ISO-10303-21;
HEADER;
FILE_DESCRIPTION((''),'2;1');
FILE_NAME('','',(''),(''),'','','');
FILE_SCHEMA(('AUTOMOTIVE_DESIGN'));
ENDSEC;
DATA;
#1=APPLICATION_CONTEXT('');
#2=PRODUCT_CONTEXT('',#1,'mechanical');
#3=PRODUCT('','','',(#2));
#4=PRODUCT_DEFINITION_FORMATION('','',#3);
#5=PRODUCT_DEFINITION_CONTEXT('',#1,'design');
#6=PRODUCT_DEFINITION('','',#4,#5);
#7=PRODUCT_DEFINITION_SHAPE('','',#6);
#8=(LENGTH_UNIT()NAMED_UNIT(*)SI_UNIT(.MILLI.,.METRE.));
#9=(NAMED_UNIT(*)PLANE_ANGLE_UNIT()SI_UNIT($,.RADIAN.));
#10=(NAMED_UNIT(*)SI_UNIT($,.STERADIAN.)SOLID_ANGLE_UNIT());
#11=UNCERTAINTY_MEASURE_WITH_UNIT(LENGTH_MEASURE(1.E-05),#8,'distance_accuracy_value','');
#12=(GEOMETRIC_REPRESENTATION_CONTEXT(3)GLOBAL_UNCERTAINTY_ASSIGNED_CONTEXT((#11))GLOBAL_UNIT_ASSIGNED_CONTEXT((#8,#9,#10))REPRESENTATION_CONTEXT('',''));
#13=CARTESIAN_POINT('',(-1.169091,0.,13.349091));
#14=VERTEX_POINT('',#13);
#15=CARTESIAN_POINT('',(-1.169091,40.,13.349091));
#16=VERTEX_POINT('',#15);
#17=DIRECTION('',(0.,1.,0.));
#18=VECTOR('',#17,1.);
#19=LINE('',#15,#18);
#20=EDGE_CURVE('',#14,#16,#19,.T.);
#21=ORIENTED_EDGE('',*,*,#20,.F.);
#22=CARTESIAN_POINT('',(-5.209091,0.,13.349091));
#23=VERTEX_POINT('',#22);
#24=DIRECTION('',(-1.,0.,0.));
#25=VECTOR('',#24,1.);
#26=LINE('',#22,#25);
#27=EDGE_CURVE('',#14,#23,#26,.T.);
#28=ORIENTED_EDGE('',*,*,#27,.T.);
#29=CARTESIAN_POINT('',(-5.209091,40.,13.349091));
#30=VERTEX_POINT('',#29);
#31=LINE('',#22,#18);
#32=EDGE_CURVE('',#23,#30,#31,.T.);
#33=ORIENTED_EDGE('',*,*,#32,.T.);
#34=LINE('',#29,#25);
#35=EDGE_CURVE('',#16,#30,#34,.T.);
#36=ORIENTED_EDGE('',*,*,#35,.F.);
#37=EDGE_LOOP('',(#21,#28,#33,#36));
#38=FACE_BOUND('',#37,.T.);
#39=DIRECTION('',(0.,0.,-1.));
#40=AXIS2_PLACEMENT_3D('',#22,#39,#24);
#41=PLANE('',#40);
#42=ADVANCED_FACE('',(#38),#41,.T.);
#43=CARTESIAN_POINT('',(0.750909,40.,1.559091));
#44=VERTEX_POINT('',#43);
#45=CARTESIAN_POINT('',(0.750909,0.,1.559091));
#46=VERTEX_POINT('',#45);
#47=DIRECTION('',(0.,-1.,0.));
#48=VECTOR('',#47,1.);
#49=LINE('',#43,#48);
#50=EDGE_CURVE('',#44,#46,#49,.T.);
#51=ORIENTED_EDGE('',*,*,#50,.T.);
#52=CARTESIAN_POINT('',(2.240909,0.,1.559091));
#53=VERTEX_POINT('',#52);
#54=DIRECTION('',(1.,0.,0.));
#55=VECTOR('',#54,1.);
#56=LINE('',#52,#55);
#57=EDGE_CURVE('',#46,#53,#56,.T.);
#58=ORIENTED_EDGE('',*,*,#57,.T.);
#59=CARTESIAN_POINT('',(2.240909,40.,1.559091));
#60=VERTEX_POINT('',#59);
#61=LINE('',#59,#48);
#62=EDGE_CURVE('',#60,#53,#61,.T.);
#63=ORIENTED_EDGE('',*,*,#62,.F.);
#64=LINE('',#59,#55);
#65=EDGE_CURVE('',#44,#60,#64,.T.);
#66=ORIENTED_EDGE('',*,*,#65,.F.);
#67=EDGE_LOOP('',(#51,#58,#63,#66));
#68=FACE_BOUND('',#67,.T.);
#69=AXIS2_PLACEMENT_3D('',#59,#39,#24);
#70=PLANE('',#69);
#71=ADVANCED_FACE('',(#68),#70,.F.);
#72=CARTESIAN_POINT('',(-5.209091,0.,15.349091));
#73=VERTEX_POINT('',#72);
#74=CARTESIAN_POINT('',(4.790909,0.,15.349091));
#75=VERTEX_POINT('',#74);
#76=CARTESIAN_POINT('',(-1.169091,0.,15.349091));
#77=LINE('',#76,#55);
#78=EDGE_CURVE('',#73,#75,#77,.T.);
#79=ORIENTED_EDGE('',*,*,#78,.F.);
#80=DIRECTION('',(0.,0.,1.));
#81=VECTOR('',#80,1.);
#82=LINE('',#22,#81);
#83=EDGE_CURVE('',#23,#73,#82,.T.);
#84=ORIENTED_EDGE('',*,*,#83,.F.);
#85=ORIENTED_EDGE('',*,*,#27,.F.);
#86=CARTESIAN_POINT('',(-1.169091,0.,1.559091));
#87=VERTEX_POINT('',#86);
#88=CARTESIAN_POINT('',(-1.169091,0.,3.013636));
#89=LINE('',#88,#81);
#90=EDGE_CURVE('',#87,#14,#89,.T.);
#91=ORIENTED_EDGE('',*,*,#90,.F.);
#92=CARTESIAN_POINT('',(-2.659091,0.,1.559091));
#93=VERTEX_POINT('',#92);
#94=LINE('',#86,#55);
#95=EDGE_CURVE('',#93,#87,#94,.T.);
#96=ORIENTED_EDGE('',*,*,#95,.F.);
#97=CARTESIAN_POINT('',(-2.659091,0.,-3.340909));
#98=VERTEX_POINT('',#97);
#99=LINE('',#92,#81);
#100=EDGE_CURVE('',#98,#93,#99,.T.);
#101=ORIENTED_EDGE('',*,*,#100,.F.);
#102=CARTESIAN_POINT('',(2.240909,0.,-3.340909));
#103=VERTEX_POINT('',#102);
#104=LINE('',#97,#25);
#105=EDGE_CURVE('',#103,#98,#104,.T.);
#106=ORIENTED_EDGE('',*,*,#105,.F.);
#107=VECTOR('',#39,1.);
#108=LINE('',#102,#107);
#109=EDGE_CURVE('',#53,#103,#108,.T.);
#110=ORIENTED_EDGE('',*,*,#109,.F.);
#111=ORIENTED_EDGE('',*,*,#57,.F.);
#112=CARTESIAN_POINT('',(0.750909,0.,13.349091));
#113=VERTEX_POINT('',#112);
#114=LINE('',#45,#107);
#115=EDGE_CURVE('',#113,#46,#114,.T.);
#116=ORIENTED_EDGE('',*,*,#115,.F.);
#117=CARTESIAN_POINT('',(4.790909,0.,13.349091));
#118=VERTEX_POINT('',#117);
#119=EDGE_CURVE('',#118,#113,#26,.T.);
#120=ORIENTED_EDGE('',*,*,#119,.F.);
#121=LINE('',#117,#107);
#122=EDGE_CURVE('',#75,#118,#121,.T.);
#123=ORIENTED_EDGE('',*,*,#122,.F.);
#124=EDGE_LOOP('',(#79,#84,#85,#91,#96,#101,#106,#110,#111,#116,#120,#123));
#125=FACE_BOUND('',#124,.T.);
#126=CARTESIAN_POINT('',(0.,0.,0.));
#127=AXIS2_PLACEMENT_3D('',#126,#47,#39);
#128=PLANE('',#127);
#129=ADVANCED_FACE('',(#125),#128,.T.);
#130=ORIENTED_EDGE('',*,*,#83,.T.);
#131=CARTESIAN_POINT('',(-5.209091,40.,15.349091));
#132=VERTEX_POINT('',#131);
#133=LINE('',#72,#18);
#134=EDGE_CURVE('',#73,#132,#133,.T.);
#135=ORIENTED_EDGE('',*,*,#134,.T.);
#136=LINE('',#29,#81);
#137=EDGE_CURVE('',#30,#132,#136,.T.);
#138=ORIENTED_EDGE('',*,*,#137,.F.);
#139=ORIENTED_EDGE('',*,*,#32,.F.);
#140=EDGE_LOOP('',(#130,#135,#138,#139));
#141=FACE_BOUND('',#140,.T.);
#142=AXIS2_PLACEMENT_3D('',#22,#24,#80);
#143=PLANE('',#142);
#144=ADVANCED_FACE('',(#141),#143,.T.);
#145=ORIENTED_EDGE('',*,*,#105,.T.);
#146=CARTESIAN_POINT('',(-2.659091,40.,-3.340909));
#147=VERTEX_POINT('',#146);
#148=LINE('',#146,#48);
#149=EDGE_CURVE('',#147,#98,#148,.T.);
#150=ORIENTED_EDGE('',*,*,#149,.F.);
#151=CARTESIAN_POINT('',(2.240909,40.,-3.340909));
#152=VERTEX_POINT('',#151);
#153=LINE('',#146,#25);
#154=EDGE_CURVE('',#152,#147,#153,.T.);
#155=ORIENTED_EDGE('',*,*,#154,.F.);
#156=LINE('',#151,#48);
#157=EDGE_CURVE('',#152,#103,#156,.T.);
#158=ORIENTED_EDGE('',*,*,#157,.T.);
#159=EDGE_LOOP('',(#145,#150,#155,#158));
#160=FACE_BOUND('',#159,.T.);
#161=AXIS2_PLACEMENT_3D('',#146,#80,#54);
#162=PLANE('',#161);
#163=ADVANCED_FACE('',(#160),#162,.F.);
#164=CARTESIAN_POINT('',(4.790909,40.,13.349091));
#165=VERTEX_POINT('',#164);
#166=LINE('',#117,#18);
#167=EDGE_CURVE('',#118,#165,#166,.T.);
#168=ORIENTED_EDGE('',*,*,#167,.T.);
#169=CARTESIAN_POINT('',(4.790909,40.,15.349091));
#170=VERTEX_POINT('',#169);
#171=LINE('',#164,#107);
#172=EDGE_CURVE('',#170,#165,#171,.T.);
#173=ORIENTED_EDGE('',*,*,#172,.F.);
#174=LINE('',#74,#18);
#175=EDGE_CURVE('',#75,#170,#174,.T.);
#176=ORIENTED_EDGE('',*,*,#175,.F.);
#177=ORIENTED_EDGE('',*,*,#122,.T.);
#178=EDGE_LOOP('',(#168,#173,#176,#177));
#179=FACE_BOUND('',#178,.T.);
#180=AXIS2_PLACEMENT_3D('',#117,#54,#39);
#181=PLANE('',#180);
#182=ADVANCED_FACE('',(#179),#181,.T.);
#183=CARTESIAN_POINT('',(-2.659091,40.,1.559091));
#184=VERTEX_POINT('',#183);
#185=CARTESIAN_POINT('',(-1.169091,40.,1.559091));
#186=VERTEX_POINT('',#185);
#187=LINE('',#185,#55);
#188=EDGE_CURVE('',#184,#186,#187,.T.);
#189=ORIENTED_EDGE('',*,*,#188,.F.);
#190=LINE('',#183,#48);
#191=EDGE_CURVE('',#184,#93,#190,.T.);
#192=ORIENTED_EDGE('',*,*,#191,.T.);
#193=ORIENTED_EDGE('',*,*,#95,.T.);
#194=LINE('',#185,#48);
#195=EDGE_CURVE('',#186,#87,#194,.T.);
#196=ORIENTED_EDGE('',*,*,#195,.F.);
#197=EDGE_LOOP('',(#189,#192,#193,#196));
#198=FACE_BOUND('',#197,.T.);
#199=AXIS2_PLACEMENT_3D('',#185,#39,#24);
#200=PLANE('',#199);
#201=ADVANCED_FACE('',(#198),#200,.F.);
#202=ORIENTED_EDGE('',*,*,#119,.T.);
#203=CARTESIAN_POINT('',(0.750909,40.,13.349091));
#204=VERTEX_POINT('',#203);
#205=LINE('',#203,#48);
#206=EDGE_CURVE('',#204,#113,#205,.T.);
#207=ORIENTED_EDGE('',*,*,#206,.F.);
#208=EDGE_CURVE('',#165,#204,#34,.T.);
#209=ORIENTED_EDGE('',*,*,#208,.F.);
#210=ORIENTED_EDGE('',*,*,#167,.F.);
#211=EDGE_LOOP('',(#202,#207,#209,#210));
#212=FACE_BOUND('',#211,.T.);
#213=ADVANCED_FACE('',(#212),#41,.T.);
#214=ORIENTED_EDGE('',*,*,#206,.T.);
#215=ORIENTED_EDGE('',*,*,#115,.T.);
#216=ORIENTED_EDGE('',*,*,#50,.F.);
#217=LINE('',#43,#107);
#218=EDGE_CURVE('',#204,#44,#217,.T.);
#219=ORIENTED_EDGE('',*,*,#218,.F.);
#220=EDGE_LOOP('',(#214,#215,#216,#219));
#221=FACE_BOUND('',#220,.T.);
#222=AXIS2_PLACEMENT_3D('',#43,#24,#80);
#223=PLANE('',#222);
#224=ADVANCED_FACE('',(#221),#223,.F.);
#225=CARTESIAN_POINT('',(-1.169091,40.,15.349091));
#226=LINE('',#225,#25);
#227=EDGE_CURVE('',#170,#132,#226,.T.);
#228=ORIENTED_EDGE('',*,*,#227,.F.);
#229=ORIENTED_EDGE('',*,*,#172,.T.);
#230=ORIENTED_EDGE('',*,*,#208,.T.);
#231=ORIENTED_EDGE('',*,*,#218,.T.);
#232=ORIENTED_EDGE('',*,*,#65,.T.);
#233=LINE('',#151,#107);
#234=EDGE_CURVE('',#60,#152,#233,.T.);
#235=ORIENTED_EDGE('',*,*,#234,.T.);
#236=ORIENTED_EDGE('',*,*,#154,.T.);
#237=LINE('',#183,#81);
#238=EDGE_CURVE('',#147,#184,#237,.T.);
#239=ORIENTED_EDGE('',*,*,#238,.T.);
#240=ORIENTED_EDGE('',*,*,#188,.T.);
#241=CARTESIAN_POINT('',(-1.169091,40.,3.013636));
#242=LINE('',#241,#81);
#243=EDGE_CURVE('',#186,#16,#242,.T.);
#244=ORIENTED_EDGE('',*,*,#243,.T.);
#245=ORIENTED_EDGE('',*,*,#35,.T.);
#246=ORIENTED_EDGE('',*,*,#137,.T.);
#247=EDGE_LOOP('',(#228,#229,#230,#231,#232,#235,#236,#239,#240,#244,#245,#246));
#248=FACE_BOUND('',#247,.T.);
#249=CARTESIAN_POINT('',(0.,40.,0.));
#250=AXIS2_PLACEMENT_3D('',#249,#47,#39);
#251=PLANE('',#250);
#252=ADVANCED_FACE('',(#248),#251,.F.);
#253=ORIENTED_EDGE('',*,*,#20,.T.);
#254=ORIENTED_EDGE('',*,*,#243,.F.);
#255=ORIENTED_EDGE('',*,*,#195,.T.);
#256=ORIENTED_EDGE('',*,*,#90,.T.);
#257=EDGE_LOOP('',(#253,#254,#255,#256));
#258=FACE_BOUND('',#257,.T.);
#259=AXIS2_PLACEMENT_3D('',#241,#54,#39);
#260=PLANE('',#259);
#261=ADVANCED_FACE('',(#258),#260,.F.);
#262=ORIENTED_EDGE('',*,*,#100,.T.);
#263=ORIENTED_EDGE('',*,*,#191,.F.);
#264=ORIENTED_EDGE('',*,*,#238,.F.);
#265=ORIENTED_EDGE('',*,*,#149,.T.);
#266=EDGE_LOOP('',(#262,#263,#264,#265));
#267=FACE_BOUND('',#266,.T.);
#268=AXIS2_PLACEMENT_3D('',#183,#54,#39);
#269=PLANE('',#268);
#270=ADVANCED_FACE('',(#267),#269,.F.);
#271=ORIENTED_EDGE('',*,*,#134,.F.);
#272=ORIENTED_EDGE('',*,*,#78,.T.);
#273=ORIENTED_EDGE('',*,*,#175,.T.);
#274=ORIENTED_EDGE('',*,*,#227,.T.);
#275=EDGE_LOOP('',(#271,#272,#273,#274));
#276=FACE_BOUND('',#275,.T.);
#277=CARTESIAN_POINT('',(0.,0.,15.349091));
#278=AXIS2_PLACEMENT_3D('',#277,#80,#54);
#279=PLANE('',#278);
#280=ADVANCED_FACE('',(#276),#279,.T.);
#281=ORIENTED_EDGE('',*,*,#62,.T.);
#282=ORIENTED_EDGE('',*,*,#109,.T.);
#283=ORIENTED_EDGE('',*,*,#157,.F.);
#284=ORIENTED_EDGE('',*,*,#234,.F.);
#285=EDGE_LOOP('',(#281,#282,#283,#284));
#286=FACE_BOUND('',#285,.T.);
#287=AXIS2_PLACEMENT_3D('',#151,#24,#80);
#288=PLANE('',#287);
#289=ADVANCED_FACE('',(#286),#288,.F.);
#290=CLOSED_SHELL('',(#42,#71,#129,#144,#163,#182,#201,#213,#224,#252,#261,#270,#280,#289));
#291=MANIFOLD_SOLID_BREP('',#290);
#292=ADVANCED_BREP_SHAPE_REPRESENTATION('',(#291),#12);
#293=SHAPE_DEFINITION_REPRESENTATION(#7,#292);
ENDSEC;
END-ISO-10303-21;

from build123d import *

# Parameters (mm, degrees)
EXTRUDE_1_DEPTH = 40
SKETCH_3_W      = 1.92
SKETCH_3_H      = 1.335454545
EXTRUDE_2_DEPTH = 40
SKETCH_4_W      = 1.92
SKETCH_4_H      = 40
EXTRUDE_3_DEPTH = 1
SKETCH_5_W      = 1.92
SKETCH_5_H      = 40
EXTRUDE_4_DEPTH = 10
SKETCH_7_W      = 10
SKETCH_7_H      = 2
EXTRUDE_5_DEPTH = 40


with BuildPart() as part:
    # 草圖2 → 填料-伸長1 (new body)
    with BuildSketch(Plane(origin=(0, 0, 0), x_dir=(1, 0, 0), z_dir=(0, 1, 0))):
        Polygon((-1.169090909, -3.013636364), (-1.169090909, -1.559090909), (-2.659090909, -1.559090909), (-2.659090909, 3.340909091), (2.240909091, 3.340909091), (2.240909091, -1.559090909), (0.750909091, -1.559090909), (0.750909091, -3.013636364), align=None)
    extrude(amount=EXTRUDE_1_DEPTH)

    # 草圖3 → 填料-伸長2 (add)
    with BuildSketch(Plane(origin=(0, 40, 0), x_dir=(1, 0, 0), z_dir=(0, 1, 0))):
        with Locations((-0.209090909, -3.681363637)):
            Rectangle(SKETCH_3_W, SKETCH_3_H)
    extrude(amount=-EXTRUDE_2_DEPTH)

    # 草圖4 → 填料-伸長3 (add)
    with BuildSketch(Plane.XY.offset(4.349090909)):
        with Locations((-0.209090909, 20)):
            Rectangle(SKETCH_4_W, SKETCH_4_H)
    extrude(amount=EXTRUDE_3_DEPTH)

    # 草圖5 → 填料-伸長4 (add)
    with BuildSketch(Plane.XY.offset(5.349090909)):
        with Locations((-0.209090909, 20)):
            Rectangle(SKETCH_5_W, SKETCH_5_H)
    extrude(amount=EXTRUDE_4_DEPTH)

    # 草圖7 → 填料-伸長5 (add)
    with BuildSketch(Plane(origin=(0, 40, 0), x_dir=(1, 0, 0), z_dir=(0, 1, 0))):
        with Locations((-0.209090909, -14.349090909)):
            Rectangle(SKETCH_7_W, SKETCH_7_H)
    extrude(amount=-EXTRUDE_5_DEPTH)


solid = part.part
